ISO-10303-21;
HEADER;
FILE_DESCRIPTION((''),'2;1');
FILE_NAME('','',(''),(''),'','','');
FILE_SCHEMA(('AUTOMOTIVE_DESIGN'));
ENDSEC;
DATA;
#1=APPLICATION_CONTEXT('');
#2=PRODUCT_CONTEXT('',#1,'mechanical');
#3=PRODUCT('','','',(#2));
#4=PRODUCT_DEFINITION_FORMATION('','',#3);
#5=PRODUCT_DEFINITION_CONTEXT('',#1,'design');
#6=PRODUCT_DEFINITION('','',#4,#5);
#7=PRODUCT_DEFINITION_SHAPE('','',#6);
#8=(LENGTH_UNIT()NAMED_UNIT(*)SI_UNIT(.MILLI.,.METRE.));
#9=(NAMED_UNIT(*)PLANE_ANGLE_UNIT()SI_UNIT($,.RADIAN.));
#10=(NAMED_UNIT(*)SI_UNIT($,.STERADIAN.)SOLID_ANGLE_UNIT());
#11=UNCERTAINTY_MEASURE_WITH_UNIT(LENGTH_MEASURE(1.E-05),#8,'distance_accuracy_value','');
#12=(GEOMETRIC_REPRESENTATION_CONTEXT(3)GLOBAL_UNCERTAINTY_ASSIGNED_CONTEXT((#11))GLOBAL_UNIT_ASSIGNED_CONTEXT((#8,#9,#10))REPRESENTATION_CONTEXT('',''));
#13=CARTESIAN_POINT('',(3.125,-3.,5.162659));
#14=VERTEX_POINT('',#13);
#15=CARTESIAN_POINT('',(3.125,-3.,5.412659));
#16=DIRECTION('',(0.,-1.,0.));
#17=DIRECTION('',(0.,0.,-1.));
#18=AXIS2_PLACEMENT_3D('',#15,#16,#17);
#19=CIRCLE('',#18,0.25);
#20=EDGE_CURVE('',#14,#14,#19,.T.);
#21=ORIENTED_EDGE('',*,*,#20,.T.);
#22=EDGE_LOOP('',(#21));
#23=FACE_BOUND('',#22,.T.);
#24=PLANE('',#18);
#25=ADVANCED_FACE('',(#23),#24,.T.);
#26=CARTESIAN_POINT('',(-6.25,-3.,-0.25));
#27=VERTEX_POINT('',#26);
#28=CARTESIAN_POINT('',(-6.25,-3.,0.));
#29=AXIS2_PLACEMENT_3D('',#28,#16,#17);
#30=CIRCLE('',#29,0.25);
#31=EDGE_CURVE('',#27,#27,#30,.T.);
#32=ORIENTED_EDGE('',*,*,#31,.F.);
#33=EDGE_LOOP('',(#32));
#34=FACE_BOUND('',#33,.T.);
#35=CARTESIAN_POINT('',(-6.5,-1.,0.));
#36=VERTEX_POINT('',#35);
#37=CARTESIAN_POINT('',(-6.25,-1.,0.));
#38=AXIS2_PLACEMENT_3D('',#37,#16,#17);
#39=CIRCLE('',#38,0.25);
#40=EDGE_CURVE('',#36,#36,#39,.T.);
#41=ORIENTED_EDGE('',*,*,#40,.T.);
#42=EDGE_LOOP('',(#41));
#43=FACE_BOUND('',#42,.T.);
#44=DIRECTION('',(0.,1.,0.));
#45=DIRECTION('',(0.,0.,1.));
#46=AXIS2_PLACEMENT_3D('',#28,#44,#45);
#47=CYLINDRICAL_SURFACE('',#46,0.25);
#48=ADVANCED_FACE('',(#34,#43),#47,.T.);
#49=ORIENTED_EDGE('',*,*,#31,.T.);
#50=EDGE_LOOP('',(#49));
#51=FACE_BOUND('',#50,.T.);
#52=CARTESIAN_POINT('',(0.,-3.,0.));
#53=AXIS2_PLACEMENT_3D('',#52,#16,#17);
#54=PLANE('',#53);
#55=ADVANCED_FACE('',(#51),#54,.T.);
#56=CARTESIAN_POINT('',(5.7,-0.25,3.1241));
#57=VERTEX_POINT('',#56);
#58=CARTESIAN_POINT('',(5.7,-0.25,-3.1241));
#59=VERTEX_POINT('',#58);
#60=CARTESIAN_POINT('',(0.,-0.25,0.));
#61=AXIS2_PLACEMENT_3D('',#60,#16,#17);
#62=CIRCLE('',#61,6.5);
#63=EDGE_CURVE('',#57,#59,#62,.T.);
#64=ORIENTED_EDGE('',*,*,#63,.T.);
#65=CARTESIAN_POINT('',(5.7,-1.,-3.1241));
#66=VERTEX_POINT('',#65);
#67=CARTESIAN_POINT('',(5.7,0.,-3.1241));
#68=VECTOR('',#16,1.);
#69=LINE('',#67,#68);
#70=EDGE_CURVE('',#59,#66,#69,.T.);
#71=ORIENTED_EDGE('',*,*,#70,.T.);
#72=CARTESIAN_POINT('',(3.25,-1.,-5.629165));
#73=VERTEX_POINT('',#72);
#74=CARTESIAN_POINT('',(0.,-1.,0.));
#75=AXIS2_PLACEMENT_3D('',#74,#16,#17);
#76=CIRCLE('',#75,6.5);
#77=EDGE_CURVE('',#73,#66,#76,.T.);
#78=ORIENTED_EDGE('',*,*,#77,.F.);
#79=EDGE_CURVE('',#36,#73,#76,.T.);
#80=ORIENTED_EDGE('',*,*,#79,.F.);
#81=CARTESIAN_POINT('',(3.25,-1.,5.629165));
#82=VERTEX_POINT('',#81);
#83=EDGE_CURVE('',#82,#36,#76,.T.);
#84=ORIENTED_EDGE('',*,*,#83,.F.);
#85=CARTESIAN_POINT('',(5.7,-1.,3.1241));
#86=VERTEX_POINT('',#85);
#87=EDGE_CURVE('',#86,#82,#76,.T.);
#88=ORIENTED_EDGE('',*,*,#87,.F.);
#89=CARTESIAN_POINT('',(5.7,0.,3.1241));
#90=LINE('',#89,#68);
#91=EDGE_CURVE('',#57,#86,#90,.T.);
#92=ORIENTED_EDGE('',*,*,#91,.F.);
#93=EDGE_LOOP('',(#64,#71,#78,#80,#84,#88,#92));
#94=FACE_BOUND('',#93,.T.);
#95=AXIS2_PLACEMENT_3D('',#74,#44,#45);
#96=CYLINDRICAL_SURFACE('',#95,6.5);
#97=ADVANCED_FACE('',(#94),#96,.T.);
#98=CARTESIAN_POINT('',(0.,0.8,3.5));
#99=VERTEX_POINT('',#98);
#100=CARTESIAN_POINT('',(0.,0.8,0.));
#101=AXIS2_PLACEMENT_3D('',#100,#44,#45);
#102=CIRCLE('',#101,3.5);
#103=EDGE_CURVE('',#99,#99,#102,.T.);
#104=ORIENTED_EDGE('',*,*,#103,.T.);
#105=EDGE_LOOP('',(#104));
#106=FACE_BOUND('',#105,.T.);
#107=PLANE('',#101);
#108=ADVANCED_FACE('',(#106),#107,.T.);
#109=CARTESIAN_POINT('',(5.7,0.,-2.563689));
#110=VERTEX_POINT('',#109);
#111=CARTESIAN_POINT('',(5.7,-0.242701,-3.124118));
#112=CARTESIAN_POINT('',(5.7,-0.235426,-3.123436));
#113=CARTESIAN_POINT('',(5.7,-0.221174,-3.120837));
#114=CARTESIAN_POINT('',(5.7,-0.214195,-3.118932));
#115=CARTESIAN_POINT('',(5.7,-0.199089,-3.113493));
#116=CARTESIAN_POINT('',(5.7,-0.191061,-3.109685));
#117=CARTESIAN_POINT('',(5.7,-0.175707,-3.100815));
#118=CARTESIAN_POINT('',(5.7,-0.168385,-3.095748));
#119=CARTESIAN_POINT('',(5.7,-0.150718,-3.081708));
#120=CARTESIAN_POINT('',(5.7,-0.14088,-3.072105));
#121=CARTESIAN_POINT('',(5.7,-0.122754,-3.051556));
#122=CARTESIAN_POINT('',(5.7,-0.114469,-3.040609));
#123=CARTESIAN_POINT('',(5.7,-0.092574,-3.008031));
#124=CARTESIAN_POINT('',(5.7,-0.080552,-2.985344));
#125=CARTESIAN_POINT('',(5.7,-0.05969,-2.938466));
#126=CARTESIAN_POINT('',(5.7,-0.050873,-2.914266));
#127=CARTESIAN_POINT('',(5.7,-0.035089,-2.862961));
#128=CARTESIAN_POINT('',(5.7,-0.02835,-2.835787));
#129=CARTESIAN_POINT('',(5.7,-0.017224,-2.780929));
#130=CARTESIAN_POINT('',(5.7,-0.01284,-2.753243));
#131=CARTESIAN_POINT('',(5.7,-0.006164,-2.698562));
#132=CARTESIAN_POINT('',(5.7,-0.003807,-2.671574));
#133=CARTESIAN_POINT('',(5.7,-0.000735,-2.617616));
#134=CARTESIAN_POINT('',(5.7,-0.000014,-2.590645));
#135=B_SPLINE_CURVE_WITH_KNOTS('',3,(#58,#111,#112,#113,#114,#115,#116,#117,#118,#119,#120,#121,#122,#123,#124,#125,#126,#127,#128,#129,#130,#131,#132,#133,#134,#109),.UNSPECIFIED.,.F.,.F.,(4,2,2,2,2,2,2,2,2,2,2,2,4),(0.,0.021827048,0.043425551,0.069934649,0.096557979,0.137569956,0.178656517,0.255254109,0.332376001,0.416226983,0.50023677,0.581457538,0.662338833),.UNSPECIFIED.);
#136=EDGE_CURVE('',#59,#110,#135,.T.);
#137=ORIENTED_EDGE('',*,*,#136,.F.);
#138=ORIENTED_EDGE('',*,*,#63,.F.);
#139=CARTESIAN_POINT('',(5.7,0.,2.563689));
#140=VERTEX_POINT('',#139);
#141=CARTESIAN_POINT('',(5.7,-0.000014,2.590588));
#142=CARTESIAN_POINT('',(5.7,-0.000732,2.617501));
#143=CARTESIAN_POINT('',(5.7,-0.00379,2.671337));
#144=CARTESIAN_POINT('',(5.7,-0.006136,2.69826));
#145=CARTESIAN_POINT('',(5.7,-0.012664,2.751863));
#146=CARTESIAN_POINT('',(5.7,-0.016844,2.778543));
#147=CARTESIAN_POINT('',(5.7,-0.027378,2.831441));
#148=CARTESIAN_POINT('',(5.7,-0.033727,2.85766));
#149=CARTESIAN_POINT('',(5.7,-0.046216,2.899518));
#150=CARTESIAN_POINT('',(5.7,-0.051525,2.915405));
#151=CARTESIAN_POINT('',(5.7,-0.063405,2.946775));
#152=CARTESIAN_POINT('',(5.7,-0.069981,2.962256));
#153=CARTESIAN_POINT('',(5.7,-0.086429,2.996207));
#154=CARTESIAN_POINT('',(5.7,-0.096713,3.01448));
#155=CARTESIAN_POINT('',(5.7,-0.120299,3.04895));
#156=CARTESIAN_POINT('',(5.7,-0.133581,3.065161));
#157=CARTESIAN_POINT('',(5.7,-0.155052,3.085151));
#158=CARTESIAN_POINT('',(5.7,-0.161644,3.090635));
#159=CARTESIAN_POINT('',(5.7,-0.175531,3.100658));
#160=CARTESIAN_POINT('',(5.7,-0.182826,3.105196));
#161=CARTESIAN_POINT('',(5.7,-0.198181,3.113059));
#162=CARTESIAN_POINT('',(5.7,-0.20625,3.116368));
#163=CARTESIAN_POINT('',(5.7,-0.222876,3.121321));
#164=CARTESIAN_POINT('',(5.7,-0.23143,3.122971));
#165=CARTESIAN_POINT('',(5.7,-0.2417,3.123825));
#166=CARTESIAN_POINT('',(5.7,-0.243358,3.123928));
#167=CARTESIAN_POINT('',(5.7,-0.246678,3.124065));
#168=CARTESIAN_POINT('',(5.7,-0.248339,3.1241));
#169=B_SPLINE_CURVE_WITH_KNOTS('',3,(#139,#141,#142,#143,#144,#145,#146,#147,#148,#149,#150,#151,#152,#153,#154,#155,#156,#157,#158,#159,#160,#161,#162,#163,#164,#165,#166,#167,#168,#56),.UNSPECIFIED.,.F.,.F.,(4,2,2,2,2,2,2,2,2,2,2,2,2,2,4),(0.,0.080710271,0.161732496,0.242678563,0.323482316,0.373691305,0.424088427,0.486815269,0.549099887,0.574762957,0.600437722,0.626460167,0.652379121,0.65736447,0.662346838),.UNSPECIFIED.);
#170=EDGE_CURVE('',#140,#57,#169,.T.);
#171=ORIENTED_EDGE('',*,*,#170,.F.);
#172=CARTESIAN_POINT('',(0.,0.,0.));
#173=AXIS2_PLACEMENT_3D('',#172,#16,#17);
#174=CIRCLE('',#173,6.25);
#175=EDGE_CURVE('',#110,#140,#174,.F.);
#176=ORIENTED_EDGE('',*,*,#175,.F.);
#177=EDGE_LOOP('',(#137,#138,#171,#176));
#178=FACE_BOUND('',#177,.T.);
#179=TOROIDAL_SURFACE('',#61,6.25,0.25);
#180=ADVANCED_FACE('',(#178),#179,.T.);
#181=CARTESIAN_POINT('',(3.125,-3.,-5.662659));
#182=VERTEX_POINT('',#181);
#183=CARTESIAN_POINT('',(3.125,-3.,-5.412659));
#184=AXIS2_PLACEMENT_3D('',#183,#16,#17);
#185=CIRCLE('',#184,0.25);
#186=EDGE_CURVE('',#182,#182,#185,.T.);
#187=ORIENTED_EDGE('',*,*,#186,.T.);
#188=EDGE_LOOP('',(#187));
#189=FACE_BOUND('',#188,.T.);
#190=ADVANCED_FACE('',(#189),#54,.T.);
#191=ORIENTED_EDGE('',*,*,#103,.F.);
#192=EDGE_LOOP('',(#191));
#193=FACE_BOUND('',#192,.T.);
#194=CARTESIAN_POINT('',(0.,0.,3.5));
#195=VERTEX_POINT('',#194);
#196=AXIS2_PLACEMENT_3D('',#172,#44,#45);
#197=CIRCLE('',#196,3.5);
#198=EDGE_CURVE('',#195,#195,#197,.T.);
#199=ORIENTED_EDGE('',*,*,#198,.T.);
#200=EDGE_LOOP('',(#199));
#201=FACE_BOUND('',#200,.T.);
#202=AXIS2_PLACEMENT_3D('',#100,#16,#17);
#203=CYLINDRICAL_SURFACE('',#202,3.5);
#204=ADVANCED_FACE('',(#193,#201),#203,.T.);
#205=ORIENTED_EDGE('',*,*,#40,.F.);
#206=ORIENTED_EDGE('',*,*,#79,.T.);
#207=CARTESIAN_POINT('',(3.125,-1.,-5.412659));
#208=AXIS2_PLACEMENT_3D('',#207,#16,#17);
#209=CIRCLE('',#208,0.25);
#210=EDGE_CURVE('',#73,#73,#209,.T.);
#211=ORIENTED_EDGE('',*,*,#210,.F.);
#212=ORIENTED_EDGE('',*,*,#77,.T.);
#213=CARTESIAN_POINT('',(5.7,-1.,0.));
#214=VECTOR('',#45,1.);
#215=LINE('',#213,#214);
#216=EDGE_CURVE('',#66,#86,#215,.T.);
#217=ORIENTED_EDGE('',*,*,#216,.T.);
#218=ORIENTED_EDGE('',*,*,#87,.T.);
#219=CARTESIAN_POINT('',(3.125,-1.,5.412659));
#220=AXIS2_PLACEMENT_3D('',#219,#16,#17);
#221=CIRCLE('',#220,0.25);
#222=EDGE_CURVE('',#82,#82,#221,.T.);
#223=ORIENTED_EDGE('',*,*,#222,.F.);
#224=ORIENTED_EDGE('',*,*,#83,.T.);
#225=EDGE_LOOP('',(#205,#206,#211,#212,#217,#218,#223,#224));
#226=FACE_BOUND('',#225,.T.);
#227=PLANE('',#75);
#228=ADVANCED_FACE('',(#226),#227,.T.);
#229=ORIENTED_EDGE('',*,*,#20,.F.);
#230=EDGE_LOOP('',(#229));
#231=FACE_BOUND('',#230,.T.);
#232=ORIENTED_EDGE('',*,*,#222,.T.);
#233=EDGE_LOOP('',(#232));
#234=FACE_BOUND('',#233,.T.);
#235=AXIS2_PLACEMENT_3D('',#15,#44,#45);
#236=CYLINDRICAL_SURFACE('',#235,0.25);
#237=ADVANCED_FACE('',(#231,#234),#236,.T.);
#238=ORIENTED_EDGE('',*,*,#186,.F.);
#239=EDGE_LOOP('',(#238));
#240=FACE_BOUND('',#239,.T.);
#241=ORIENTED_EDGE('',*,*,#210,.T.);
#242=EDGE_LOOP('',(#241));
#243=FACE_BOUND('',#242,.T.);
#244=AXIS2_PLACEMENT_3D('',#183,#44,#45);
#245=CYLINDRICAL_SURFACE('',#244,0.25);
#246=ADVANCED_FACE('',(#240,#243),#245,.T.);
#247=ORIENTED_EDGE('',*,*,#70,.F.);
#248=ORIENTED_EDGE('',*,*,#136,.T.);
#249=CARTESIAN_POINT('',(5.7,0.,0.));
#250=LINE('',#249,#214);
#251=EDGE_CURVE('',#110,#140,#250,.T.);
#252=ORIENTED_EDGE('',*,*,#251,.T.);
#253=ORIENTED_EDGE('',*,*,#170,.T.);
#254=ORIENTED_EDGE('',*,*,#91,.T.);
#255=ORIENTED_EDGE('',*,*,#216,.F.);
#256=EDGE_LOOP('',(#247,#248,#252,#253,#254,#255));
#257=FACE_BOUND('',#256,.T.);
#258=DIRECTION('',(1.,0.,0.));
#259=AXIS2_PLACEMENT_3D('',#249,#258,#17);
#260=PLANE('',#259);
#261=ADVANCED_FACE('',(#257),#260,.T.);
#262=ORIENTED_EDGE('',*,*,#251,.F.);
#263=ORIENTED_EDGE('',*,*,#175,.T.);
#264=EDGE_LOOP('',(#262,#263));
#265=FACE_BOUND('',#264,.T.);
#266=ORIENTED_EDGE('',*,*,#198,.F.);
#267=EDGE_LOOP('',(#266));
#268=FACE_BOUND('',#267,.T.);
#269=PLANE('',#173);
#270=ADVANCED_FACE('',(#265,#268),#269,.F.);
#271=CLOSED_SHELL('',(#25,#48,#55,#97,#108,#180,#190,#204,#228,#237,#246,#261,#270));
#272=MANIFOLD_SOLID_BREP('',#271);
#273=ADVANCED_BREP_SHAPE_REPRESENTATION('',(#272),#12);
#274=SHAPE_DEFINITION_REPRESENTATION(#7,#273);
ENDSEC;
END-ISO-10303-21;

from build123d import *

# Parameters (mm, degrees)
SKETCH1_R           = 3.5
BOSS_EXTRUDE1_DEPTH = 0.8
SKETCH2_R           = 6.5
BOSS_EXTRUDE2_DEPTH = 1
CUT_EXTRUDE1_START  = -1
CUT_EXTRUDE1_DEPTH  = 1
SKETCH7_R           = 0.25
BOSS_EXTRUDE6_DEPTH = 2
FILLET2_R           = 0.25


with BuildPart() as part:
    # Sketch1 → Boss-Extrude1 (new body)
    with BuildSketch(Plane(origin=(0, 0, 0), x_dir=(1, 0, 0), z_dir=(0, 1, 0))):
        with Locations(Location((0, 0, 0), (0, 0, 270))):
            Circle(SKETCH1_R)
    extrude(amount=BOSS_EXTRUDE1_DEPTH)

    # Sketch2 → Boss-Extrude2 (add)
    with BuildSketch(Plane.XZ):
        with Locations(Location((0, 0, 0), (0, 0, 270))):
            Circle(SKETCH2_R)
    extrude(amount=BOSS_EXTRUDE2_DEPTH)

    # Sketch3 → Cut-Extrude1 (cut)
    with BuildSketch(Plane.XZ.offset(1).offset(CUT_EXTRUDE1_START)):
        with BuildLine():
            Line((5.7, 3.12409987), (5.7, 0))
            Line((5.7, 0), (5.7, -3.12409987))
            ThreePointArc((5.7, -3.12409987), (6.296824597, -1.61245155), (6.5, 0))
            ThreePointArc((6.5, 0), (6.296824597, 1.61245155), (5.7, 3.12409987))
        make_face()
    extrude(amount=CUT_EXTRUDE1_DEPTH, mode=Mode.SUBTRACT)

    # Sketch7 → Boss-Extrude6 (add)
    with BuildSketch(Plane.XZ.offset(1)):
        with Locations(Location((-6.25, 0, 0), (0, 0, 179.998347336))):
            Circle(SKETCH7_R)
        with Locations(Location((3.125, 5.412658774, 0), (0, 0, 59.998347336))):
            Circle(SKETCH7_R)
        with Locations(Location((3.125, -5.412658774, 0), (0, 0, 299.998347346))):
            Circle(SKETCH7_R)
    extrude(amount=BOSS_EXTRUDE6_DEPTH)

    # Fillet2
    fillet2_edges = [part.edges().sort_by_distance(p)[0] for p in [
        (-6.5, 0, 0),
    ]]
    fillet(fillet2_edges, radius=FILLET2_R)


solid = part.part
